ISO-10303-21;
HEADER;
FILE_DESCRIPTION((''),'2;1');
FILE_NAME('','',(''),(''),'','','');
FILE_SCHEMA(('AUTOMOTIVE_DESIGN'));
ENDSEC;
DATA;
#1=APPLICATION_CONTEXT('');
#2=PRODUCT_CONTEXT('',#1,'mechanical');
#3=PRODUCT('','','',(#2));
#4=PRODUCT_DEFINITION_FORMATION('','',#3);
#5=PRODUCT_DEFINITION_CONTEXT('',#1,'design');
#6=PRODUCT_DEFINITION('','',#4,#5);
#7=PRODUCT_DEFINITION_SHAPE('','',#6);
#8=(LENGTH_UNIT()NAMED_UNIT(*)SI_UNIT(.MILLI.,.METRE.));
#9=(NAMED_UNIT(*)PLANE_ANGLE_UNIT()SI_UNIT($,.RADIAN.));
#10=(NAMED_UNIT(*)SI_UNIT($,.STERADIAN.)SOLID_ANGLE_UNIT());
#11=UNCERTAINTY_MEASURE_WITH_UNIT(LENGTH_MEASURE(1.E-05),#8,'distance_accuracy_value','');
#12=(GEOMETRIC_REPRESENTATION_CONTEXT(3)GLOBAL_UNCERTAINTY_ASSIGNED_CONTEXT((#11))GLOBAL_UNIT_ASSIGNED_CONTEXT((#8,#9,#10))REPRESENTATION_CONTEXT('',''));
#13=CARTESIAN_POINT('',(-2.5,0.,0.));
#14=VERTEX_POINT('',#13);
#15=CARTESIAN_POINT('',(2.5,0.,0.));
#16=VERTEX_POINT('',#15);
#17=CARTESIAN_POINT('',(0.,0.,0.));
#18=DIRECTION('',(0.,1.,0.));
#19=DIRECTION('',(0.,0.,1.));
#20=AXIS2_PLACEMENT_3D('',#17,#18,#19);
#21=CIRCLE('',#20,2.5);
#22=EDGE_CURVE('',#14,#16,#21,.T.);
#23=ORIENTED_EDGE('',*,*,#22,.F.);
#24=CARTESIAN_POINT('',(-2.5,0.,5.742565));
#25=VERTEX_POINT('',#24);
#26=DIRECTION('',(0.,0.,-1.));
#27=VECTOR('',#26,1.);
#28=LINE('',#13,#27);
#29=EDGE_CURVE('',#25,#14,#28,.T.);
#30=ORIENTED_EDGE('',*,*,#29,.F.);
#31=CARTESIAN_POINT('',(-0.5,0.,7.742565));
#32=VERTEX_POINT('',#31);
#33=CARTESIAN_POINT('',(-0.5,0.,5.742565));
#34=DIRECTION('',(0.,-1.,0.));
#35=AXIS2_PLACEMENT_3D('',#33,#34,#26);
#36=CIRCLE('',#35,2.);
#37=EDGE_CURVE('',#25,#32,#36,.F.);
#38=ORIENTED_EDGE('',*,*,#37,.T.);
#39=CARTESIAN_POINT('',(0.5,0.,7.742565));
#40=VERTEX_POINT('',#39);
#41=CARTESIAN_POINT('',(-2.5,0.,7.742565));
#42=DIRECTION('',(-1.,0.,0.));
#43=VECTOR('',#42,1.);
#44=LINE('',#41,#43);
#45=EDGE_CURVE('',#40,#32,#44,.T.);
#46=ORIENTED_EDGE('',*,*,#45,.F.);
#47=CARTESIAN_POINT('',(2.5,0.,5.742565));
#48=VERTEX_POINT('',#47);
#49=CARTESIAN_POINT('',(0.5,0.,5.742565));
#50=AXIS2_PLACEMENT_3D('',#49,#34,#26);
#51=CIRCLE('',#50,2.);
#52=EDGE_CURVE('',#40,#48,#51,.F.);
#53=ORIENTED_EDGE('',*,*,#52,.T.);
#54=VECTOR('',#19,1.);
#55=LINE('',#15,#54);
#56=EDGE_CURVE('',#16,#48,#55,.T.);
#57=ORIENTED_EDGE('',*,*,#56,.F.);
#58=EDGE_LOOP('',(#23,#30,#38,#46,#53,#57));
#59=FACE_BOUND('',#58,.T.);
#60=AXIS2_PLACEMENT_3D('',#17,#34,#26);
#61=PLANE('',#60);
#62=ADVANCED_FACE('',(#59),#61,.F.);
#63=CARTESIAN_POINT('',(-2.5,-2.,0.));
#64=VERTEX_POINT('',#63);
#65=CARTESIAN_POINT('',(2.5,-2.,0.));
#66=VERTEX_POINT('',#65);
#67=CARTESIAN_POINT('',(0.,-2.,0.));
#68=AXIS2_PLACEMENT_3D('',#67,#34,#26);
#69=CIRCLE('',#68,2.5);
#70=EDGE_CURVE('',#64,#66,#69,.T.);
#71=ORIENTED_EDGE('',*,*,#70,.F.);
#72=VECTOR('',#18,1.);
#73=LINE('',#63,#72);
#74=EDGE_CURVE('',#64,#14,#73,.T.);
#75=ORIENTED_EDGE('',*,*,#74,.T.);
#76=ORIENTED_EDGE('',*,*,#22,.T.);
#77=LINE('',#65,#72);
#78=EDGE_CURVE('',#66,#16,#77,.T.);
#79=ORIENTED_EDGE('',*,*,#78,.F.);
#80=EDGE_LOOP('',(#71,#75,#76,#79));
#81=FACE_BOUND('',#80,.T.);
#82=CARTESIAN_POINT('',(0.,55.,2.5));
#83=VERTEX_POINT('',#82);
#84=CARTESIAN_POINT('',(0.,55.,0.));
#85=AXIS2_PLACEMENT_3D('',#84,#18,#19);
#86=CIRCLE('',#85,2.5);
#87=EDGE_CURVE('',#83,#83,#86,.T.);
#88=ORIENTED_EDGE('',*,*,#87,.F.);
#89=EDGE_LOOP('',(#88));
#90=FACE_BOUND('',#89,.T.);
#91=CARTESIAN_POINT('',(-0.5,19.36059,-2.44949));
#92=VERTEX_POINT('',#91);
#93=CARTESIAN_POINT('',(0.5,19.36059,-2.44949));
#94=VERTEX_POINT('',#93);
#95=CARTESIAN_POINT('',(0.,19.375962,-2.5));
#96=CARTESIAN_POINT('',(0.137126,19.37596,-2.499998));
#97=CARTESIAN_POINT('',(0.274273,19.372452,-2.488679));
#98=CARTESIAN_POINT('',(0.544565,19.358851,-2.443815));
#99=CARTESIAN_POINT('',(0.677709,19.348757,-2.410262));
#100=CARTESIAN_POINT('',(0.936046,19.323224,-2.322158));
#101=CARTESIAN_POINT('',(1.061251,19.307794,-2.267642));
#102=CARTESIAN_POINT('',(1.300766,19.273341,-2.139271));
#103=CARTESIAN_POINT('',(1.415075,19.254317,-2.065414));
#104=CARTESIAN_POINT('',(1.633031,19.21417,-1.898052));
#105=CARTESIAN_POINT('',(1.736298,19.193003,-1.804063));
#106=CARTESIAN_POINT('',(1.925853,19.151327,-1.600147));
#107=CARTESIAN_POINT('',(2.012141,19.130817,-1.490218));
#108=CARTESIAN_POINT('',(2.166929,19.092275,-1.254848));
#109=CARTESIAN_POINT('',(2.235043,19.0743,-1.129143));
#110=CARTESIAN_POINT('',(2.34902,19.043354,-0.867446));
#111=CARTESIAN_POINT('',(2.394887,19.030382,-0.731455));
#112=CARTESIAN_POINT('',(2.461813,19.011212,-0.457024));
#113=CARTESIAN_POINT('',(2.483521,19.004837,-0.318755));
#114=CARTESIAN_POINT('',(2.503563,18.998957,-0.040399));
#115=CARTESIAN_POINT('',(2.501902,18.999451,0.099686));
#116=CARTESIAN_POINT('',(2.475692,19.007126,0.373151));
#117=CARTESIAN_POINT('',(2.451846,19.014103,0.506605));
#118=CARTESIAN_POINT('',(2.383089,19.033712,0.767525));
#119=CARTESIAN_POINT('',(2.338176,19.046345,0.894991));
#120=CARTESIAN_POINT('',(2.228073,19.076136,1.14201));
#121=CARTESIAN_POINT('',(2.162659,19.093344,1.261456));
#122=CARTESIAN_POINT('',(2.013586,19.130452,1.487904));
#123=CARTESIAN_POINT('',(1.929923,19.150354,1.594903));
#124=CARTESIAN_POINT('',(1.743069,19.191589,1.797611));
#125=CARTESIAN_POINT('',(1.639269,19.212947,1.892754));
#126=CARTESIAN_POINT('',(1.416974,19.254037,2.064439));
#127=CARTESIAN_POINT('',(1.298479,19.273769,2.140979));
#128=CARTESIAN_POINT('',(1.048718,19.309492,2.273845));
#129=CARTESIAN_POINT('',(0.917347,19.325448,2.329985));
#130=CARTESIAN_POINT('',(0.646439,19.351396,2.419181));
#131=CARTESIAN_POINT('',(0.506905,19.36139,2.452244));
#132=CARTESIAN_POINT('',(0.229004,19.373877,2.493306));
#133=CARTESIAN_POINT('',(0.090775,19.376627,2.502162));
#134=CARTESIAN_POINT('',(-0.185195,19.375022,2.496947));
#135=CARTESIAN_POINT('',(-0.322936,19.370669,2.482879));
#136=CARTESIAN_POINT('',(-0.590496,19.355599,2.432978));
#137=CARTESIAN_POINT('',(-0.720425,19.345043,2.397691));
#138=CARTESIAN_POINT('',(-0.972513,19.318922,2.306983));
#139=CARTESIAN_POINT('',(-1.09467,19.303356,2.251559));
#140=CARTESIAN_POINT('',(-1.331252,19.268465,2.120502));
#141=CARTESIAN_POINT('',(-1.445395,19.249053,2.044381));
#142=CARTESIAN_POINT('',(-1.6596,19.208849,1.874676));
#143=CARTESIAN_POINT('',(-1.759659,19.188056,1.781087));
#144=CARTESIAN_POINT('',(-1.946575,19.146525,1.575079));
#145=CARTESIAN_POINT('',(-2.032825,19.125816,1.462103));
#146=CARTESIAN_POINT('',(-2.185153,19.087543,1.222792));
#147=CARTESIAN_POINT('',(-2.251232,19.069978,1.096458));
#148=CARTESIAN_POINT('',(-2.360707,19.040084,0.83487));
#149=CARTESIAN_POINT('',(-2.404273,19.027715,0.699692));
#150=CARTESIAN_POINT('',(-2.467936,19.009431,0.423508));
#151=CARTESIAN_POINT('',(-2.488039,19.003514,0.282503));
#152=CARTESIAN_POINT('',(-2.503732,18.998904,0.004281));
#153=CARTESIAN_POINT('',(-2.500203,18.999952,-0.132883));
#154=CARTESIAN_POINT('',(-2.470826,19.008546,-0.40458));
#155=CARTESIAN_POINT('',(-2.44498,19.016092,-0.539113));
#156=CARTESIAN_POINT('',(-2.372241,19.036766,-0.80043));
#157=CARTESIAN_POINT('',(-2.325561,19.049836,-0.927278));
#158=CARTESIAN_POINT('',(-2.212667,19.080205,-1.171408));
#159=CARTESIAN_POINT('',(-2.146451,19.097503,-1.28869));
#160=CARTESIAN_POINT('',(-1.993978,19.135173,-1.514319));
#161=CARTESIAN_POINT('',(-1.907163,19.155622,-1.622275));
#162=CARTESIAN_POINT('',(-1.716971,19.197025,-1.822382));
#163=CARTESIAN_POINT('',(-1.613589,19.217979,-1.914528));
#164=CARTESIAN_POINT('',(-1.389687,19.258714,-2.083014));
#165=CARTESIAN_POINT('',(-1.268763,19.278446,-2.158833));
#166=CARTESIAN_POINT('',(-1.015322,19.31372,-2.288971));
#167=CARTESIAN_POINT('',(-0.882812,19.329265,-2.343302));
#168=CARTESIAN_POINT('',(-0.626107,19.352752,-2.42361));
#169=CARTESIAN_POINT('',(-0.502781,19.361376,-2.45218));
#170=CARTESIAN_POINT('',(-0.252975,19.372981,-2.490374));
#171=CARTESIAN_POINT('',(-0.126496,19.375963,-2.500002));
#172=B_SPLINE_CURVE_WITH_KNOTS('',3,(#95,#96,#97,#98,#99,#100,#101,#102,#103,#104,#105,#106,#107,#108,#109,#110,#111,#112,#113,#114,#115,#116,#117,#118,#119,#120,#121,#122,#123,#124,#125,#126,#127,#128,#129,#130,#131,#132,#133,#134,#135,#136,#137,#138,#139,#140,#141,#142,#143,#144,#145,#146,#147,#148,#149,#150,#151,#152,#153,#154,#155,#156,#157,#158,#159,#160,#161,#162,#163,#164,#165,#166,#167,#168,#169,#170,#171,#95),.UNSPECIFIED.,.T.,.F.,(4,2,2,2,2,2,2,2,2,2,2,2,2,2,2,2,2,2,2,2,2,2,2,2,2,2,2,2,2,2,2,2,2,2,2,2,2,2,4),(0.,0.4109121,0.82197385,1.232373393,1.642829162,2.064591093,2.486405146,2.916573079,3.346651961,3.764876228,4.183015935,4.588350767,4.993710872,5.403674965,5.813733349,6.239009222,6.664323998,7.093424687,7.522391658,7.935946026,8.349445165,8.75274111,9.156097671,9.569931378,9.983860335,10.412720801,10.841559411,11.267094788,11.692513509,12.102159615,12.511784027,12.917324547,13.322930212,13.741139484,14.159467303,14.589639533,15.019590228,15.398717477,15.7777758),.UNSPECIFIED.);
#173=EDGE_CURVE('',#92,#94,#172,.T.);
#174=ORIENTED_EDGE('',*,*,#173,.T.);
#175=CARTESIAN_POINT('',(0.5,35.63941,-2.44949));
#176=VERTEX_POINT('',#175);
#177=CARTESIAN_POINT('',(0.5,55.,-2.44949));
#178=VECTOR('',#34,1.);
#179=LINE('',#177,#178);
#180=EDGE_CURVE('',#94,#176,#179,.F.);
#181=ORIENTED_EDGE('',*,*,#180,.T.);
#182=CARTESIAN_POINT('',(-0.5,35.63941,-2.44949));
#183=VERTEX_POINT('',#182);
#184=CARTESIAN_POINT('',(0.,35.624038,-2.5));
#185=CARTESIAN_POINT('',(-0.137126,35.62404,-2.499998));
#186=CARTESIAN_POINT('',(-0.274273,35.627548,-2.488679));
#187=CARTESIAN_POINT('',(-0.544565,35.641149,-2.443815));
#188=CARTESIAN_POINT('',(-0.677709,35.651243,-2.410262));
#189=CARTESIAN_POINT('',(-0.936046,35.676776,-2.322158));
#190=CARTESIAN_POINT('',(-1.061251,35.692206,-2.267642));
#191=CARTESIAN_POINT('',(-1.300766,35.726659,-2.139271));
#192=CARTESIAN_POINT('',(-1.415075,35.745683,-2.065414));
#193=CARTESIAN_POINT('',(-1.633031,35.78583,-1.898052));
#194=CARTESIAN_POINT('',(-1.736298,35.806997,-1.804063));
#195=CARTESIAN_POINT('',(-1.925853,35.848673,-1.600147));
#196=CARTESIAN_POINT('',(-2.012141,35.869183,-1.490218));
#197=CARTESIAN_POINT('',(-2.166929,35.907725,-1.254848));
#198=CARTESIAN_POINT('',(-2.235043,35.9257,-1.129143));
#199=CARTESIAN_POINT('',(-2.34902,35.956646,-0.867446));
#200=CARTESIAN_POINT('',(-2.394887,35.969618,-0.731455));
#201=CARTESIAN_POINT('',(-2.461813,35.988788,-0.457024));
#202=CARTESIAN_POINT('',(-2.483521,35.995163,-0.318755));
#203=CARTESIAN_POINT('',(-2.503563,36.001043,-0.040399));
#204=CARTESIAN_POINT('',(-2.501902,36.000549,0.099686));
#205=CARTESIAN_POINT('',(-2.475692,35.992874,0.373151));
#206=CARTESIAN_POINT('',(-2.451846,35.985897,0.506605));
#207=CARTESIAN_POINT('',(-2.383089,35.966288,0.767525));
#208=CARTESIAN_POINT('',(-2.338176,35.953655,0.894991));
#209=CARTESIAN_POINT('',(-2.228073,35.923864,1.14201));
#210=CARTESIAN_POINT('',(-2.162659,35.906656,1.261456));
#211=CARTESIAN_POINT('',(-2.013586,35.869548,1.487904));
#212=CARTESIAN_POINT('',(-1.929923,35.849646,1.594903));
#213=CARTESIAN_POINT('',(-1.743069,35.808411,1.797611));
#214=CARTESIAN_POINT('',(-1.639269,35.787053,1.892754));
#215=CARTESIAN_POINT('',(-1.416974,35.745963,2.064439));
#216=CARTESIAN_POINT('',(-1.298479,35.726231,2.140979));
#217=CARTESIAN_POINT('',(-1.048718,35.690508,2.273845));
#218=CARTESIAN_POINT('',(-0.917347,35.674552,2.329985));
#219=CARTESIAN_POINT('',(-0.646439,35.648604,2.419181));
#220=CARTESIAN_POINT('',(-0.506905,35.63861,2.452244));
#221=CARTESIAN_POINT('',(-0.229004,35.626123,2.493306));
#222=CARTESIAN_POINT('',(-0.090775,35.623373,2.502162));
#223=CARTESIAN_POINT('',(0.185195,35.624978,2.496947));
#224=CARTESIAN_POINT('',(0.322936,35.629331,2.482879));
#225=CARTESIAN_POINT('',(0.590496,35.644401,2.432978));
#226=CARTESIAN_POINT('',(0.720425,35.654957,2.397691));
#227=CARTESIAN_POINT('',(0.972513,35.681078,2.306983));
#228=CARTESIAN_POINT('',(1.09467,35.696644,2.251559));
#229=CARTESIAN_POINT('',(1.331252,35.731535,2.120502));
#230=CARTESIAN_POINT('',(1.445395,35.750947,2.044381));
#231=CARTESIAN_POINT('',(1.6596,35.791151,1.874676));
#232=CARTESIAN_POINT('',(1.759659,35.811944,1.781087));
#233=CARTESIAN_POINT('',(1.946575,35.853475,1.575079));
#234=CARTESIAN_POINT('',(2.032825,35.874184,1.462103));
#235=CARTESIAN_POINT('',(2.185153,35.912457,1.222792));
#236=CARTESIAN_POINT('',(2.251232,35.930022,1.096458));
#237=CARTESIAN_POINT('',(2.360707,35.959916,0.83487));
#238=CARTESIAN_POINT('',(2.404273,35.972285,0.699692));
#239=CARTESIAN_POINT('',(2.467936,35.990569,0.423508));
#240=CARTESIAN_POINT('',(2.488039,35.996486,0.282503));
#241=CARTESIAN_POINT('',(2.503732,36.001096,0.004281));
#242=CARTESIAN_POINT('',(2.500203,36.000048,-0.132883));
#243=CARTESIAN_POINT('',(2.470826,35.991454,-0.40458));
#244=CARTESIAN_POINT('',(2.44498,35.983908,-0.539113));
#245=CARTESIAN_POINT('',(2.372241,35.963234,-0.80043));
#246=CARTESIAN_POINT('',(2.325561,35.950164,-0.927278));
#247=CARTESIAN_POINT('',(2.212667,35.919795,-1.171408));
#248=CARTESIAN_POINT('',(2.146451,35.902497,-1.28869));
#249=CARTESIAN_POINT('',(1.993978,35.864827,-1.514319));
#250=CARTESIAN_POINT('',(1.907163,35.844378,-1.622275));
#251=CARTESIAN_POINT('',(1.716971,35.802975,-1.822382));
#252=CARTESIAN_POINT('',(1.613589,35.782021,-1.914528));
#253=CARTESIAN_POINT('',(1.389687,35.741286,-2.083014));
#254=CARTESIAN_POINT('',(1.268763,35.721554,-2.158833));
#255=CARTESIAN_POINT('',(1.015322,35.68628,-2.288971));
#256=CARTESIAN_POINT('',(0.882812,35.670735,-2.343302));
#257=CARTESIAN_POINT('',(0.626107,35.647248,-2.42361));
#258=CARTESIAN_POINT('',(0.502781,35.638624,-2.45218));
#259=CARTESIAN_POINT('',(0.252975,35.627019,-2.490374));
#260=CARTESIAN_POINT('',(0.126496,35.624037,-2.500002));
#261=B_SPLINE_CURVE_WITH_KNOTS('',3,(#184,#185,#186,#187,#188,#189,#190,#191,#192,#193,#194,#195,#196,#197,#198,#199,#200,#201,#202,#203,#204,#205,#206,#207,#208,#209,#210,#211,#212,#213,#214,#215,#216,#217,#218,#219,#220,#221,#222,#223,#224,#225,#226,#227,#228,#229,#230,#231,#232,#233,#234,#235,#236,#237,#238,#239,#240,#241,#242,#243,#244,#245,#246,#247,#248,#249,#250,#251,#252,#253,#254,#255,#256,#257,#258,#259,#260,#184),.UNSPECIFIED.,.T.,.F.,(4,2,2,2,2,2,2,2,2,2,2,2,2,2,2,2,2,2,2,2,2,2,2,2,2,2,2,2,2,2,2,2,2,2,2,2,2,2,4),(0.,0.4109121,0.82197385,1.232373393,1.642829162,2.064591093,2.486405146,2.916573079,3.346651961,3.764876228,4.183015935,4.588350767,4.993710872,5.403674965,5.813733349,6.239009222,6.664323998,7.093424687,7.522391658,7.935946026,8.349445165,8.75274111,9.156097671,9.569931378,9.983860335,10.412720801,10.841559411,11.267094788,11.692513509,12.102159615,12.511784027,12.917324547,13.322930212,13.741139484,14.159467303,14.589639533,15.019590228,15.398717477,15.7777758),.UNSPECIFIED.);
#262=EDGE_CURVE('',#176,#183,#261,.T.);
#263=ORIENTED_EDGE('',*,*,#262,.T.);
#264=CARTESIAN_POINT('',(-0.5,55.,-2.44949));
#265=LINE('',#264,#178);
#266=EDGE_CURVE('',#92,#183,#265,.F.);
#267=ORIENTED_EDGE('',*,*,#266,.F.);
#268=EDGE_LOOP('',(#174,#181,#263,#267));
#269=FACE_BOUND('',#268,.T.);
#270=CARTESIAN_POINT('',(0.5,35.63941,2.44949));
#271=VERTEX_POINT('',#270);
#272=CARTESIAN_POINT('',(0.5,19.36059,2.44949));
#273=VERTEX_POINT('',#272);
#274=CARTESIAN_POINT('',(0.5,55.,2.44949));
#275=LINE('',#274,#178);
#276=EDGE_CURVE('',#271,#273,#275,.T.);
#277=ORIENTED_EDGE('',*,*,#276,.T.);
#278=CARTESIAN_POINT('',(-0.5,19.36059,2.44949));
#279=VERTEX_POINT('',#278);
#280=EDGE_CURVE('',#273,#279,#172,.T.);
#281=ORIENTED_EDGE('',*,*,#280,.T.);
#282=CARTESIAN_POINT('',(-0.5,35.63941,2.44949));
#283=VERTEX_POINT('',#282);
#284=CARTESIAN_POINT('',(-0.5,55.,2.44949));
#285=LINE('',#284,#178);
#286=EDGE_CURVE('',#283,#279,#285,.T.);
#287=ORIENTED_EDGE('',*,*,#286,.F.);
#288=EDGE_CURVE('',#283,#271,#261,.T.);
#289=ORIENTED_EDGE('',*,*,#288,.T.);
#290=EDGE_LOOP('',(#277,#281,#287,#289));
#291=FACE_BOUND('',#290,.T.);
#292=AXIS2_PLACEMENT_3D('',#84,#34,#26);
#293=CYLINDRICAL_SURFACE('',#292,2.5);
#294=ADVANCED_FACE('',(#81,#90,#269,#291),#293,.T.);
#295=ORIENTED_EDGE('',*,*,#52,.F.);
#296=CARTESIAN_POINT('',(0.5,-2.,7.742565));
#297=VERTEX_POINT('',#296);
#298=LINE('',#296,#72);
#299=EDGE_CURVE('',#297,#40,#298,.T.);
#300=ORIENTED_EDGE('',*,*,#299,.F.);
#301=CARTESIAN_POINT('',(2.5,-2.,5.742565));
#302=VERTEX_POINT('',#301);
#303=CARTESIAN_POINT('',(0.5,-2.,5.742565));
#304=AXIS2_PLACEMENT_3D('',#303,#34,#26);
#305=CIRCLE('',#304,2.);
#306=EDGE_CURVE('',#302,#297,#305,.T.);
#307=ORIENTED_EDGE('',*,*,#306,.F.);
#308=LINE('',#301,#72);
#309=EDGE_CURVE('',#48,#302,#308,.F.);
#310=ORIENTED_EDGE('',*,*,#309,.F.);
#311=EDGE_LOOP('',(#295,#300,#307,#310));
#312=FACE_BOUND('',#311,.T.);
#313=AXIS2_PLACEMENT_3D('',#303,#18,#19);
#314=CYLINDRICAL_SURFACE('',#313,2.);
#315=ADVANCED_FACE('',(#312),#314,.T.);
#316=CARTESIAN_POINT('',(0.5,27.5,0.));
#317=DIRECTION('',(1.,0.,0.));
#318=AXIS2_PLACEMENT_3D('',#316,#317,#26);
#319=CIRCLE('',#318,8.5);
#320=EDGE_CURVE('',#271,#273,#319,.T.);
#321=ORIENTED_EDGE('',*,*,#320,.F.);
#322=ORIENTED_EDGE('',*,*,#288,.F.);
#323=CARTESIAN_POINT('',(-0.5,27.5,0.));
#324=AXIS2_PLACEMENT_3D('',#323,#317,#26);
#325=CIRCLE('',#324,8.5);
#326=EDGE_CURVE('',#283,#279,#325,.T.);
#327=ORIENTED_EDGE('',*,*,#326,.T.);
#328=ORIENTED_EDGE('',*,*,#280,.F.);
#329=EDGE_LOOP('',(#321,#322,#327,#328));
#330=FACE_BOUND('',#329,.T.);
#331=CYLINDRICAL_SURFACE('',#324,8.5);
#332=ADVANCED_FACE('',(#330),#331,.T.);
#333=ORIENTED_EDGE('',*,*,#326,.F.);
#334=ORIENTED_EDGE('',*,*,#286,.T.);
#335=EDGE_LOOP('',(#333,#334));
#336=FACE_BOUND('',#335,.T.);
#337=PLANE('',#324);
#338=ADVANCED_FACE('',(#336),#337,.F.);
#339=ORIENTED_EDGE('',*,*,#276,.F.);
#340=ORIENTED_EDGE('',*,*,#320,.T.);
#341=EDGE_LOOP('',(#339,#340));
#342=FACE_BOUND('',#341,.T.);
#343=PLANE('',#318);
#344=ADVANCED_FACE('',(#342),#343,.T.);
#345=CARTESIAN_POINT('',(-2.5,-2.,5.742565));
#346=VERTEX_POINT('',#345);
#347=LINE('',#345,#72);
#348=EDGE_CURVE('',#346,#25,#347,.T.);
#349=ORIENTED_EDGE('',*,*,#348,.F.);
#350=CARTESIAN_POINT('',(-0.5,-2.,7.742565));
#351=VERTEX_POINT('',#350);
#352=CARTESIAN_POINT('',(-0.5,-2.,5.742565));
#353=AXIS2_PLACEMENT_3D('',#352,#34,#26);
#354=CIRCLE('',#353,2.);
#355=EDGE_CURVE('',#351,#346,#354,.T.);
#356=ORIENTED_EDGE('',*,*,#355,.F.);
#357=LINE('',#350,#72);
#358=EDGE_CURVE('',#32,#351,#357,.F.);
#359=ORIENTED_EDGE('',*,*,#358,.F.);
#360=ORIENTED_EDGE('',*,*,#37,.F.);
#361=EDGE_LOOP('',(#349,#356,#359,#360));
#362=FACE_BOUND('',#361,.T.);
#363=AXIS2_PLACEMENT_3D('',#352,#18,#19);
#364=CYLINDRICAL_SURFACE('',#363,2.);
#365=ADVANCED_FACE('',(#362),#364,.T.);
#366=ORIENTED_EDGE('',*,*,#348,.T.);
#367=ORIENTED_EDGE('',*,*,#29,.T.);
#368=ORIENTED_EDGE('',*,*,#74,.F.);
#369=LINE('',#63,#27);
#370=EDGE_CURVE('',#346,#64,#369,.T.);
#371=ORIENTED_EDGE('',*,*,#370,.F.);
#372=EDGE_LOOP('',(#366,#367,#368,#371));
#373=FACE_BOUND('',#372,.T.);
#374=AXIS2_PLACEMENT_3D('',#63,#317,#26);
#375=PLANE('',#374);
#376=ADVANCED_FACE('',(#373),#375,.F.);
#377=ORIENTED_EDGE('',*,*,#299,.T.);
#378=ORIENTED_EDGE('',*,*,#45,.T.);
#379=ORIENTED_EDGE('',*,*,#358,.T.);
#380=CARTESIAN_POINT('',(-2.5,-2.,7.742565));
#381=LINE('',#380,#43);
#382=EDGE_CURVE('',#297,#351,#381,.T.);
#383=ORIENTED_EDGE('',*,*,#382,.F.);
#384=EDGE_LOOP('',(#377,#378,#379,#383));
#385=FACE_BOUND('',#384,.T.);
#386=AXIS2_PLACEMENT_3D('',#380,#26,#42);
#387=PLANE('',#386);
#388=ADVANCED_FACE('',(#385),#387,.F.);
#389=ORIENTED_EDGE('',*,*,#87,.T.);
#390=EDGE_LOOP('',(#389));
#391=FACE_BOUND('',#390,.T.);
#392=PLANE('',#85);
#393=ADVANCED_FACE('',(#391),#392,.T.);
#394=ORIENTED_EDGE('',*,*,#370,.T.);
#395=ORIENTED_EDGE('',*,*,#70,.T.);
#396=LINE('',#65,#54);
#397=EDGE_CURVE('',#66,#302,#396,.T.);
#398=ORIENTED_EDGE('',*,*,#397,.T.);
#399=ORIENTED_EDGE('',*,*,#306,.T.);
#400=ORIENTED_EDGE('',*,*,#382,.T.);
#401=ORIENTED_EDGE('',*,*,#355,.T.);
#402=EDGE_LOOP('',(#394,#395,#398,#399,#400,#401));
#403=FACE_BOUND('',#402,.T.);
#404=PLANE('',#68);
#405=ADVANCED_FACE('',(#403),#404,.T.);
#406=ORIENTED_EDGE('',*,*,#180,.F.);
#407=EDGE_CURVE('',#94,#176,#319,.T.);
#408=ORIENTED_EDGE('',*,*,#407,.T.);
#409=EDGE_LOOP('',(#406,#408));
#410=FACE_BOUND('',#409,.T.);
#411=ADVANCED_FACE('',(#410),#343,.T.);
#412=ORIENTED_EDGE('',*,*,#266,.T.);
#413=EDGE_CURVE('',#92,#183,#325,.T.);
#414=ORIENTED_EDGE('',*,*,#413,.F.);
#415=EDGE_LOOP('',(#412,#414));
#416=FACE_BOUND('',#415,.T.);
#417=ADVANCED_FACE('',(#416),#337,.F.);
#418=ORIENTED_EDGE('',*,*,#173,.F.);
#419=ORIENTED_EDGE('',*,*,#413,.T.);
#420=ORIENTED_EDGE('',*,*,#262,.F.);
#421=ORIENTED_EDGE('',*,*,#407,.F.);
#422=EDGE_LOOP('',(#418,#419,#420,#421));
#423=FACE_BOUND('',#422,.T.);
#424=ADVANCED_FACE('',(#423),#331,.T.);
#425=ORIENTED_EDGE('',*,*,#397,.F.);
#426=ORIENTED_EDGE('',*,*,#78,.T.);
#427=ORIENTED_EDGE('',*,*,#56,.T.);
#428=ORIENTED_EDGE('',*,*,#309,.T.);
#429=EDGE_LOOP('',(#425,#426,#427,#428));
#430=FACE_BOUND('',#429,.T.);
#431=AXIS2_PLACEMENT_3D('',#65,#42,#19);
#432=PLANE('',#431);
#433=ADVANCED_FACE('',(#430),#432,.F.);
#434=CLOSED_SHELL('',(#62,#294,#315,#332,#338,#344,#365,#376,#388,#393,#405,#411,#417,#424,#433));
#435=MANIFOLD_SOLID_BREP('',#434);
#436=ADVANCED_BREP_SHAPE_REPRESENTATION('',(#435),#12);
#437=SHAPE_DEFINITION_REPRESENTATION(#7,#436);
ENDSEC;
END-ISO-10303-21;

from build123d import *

# Parameters (mm, degrees)
SKETCH1_R                = 2.5
BOSS_EXTRUDE1_DEPTH      = 55
BOSS_EXTRUDE2_DEPTH      = 0.5
BOSS_EXTRUDE2_DEPTH_BACK = 0.5
SKETCH2_R                = 8.5
BOSS_EXTRUDE3_START      = 2
BOSS_EXTRUDE3_DEPTH      = 2
FILLET1_R                = 2


with BuildPart() as part:
    # Sketch1 → Boss-Extrude1 (new body)
    with BuildSketch(Plane(origin=(0, 0, 0), x_dir=(1, 0, 0), z_dir=(0, 1, 0))):
        Circle(SKETCH1_R)
    extrude(amount=BOSS_EXTRUDE1_DEPTH)

    # Sketch2 → Boss-Extrude2 (add, two sides: drawn at the far end of the back side and taken through both)
    with BuildSketch(Plane(origin=(0, 0, 0), x_dir=(0, 0, -1), z_dir=(1, 0, 0)).offset(-BOSS_EXTRUDE2_DEPTH_BACK)):
        with Locations((0, 27.5)):
            Circle(SKETCH2_R)
    extrude(amount=BOSS_EXTRUDE2_DEPTH + BOSS_EXTRUDE2_DEPTH_BACK)

    # Sketch3 → Boss-Extrude3 (add)
    with BuildSketch(Plane.XZ.offset(BOSS_EXTRUDE3_START)):
        with BuildLine():
            Line((-2.5, 0), (-2.5, 7.742565285))
            Line((-2.5, 7.742565285), (2.5, 7.742565285))
            Line((2.5, 7.742565285), (2.5, 0))
            ThreePointArc((2.5, 0), (0, -2.5), (-2.5, 0))
        make_face()
    extrude(amount=-BOSS_EXTRUDE3_DEPTH)

    # Fillet1
    fillet1_edges = [part.edges().sort_by_distance(p)[0] for p in [
        (-2.5, -1, 7.742565285),
        (2.5, -1, 7.742565285),
    ]]
    fillet(fillet1_edges, radius=FILLET1_R)


solid = part.part
